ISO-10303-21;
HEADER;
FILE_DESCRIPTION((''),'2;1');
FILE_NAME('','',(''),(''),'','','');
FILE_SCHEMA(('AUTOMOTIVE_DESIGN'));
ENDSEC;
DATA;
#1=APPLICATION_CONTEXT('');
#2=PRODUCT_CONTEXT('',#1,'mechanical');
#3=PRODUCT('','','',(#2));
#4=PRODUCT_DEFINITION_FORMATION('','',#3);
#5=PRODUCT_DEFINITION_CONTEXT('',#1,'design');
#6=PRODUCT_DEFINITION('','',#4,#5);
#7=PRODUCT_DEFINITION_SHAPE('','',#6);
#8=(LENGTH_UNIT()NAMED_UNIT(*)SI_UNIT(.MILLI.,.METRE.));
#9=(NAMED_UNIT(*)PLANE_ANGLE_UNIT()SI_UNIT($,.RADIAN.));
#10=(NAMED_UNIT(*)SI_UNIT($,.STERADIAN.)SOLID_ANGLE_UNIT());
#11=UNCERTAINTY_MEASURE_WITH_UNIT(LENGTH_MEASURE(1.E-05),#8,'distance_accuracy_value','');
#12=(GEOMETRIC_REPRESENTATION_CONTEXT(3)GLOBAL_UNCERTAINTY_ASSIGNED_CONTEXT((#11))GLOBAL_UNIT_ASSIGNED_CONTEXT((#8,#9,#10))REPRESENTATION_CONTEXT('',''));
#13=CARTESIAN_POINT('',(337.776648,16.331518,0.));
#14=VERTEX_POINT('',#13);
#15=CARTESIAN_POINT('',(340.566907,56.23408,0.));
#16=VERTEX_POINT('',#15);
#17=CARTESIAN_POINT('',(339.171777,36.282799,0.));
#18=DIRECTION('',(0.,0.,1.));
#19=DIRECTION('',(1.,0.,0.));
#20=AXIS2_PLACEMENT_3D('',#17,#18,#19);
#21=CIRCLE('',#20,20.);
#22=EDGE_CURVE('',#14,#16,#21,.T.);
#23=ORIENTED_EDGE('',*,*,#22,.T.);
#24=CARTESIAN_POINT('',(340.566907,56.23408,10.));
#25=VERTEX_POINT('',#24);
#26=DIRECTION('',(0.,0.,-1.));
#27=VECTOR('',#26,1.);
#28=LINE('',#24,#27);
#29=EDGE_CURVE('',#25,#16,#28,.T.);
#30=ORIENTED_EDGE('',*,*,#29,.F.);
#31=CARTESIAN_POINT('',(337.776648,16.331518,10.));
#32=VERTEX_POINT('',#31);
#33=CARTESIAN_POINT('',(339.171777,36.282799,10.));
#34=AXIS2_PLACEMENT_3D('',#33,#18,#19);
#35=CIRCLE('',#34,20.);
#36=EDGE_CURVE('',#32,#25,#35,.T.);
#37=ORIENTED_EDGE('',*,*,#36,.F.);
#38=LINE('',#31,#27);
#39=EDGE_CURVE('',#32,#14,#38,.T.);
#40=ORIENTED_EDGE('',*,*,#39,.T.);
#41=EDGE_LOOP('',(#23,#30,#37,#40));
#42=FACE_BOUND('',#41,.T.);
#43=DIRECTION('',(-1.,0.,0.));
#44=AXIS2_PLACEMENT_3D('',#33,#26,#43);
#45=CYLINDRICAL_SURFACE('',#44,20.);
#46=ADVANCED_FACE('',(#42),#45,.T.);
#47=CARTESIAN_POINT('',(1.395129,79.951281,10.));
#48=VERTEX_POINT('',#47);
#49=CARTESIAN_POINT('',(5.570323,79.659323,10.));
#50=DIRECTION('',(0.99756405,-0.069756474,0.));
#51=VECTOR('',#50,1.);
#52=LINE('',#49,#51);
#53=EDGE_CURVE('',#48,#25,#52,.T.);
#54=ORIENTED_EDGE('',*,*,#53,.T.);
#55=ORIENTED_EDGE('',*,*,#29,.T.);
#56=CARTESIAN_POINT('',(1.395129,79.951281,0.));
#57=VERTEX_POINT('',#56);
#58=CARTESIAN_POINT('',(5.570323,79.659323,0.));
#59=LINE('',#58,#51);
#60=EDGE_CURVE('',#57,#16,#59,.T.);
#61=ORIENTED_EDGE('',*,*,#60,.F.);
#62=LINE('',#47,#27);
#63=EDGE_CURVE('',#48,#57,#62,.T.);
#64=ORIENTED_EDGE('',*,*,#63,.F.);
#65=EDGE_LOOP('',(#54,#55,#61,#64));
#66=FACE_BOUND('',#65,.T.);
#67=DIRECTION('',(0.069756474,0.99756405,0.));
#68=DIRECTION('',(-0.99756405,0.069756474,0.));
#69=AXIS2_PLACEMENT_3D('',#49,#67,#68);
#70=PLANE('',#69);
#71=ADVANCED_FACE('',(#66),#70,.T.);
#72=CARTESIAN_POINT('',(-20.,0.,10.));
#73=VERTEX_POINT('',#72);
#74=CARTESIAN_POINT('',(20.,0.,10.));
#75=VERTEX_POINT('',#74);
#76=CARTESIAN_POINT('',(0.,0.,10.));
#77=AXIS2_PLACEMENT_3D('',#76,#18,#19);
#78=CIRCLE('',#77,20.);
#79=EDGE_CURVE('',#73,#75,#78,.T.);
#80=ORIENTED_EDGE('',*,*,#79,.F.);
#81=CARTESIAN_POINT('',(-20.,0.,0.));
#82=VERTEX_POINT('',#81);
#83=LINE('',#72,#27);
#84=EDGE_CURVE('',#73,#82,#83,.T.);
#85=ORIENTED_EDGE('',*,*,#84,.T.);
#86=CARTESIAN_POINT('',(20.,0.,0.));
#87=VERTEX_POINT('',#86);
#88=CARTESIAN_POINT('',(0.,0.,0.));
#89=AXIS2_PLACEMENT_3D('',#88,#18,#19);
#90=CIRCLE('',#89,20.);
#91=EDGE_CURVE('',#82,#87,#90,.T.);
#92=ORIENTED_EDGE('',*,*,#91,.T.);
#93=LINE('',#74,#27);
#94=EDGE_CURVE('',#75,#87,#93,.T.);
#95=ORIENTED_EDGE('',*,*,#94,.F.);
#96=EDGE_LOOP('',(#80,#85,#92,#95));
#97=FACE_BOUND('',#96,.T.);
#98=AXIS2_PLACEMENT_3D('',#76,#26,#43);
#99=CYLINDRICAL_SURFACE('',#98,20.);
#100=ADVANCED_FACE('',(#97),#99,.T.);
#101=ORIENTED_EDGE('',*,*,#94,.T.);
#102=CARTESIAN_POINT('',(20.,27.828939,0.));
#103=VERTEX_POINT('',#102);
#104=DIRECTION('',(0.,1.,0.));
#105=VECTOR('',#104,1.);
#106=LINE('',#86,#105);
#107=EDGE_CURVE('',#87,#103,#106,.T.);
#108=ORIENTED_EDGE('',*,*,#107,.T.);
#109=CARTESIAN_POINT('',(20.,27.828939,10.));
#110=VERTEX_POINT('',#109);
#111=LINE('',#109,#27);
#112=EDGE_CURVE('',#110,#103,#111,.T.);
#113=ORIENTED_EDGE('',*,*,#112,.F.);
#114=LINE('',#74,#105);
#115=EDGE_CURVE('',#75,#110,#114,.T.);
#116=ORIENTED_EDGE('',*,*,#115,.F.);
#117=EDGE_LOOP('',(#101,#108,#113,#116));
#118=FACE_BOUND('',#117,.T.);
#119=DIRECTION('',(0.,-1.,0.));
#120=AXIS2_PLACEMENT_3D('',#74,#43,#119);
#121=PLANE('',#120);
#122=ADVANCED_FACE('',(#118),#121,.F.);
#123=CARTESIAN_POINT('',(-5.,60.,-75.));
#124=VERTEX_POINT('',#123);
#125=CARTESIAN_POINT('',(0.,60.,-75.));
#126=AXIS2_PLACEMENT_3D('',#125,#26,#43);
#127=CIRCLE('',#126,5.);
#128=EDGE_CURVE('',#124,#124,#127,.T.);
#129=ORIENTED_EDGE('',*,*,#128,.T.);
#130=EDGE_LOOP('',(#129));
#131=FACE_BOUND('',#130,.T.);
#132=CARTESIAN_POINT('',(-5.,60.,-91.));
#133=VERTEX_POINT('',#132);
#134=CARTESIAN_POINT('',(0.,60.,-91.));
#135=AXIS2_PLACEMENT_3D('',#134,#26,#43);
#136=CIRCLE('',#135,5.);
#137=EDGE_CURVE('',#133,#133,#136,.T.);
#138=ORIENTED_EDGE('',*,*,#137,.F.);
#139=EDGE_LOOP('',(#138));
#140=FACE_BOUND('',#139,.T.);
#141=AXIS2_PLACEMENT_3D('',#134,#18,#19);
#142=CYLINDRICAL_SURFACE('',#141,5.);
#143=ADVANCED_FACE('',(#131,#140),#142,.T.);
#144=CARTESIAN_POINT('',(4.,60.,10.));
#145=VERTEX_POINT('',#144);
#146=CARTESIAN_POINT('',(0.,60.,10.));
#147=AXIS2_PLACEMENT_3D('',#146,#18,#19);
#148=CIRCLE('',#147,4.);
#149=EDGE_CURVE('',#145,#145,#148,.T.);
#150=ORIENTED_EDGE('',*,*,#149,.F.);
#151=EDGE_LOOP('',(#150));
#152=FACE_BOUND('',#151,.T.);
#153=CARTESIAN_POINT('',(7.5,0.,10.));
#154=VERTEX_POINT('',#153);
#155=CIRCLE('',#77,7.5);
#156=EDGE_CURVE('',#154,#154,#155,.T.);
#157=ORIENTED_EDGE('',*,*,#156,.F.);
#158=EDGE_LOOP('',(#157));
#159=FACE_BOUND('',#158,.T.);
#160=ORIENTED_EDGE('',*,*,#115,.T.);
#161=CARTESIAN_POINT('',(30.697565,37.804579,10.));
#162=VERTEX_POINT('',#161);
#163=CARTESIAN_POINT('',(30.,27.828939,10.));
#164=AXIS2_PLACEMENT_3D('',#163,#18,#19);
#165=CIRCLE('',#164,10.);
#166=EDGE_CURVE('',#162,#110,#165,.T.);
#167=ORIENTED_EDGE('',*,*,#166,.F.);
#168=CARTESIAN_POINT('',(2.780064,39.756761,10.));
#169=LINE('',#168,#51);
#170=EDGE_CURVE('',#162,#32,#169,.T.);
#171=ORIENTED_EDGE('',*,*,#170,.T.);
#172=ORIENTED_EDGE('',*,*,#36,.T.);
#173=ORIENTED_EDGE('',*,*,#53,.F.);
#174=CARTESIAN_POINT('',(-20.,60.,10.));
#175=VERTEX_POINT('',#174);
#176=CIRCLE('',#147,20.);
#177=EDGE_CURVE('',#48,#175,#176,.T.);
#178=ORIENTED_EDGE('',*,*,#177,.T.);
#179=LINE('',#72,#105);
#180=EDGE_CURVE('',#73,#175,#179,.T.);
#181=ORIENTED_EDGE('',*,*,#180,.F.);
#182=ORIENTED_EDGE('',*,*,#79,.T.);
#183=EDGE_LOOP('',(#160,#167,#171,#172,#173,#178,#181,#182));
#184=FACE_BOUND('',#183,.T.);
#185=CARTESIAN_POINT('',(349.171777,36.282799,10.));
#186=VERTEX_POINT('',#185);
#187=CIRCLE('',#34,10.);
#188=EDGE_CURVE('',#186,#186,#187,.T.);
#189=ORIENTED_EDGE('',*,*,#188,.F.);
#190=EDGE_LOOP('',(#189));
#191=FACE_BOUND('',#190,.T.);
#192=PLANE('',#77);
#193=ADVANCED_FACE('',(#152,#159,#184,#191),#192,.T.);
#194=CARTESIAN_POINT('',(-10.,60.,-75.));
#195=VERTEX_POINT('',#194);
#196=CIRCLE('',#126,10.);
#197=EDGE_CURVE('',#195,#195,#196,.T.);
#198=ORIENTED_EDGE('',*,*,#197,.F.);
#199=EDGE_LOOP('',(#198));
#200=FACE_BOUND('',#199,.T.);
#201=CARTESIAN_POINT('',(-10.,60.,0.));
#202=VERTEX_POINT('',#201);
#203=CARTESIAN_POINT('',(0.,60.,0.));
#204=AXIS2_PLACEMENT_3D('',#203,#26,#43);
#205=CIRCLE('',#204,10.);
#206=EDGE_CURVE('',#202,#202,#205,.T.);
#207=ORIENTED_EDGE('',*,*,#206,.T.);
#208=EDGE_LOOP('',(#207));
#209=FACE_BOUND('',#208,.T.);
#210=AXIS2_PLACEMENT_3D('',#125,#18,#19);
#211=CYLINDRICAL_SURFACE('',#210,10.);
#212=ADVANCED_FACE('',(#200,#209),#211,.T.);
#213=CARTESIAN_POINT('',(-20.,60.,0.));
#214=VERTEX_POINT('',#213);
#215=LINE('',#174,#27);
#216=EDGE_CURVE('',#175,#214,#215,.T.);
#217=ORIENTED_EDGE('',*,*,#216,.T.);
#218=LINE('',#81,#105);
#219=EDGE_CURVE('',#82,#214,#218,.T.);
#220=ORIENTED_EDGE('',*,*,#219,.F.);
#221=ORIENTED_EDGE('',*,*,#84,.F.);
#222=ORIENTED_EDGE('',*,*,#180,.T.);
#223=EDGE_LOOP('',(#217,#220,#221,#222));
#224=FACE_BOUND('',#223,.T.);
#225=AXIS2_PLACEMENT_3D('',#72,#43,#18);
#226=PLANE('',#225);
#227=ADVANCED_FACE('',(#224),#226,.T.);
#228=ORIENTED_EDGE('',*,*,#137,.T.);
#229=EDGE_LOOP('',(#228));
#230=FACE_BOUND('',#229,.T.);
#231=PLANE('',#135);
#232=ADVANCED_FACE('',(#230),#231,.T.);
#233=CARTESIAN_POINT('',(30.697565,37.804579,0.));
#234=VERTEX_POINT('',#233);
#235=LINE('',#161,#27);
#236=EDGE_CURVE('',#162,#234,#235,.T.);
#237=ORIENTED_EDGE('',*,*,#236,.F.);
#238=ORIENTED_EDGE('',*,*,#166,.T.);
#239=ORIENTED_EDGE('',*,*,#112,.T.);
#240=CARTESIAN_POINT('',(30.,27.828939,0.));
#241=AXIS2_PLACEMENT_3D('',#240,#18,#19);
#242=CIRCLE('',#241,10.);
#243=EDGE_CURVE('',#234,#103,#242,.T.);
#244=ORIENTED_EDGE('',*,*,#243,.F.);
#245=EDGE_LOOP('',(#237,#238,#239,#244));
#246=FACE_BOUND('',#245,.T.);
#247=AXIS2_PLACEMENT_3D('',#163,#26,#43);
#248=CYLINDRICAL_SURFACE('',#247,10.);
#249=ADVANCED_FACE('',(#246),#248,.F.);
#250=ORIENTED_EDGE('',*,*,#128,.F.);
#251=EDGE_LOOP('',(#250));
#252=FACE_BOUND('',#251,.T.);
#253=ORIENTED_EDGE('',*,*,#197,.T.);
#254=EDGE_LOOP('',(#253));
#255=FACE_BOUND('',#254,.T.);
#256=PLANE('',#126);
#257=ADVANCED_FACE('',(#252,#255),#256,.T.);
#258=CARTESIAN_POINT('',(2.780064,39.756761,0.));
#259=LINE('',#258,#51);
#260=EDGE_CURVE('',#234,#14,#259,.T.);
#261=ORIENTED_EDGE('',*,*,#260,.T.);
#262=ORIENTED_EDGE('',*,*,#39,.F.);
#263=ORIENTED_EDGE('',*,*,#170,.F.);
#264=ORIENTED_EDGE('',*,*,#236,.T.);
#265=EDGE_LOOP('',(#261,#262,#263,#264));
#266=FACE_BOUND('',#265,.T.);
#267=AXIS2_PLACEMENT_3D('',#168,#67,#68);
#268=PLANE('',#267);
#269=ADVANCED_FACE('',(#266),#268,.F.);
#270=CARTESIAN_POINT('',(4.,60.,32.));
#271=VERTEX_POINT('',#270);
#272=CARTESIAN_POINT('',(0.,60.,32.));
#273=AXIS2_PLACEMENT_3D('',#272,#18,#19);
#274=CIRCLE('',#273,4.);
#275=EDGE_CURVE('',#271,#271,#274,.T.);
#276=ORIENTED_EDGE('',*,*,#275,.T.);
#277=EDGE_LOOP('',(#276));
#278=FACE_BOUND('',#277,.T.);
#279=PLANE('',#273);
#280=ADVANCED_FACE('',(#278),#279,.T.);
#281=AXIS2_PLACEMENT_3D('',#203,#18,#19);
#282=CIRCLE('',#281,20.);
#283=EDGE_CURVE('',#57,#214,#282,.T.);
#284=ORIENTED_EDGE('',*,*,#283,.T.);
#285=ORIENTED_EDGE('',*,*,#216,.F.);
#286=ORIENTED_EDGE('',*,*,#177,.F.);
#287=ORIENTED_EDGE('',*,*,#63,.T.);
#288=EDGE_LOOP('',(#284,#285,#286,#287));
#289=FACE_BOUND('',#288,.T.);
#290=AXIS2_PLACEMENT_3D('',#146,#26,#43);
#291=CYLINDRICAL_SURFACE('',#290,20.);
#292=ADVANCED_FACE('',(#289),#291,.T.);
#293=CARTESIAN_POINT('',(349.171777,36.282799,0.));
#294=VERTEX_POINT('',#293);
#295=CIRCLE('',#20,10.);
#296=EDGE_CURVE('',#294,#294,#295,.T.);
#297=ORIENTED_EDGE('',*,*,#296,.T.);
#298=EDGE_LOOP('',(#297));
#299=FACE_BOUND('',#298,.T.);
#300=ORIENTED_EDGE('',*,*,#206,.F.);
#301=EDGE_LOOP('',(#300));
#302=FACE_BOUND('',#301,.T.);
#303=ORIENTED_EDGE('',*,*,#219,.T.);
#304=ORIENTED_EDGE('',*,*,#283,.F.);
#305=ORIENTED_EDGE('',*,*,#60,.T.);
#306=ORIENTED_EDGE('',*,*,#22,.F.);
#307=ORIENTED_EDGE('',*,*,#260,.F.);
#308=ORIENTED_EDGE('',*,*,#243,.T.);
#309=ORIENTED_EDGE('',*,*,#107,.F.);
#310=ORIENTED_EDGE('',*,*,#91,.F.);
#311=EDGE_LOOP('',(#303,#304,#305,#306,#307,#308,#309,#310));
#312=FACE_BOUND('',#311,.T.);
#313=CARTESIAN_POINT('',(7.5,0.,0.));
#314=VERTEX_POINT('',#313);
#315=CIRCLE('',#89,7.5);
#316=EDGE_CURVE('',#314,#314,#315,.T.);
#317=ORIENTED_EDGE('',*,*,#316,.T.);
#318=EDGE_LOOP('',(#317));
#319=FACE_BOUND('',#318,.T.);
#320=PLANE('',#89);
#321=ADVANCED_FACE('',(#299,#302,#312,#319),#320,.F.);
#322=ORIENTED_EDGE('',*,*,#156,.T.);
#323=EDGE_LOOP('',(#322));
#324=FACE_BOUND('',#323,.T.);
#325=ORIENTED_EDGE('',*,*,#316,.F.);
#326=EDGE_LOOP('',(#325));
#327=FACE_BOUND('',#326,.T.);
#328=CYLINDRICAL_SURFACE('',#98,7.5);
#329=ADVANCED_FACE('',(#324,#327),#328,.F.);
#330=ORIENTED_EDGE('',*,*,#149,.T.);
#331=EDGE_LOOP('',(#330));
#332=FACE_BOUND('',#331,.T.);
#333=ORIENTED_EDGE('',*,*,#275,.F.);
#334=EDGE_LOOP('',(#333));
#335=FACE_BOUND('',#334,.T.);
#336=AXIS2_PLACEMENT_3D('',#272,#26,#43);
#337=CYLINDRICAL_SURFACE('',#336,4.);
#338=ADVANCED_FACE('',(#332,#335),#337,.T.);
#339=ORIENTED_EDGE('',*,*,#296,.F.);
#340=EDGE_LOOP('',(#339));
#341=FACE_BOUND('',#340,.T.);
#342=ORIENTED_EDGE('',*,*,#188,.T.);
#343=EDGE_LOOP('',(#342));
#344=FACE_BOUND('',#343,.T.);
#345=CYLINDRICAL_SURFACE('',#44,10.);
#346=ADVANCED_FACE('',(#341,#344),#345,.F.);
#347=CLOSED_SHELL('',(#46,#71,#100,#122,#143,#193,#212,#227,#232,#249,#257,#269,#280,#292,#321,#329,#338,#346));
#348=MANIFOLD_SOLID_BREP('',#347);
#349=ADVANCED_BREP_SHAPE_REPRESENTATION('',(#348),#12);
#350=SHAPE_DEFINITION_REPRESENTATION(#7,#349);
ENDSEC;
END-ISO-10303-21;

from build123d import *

# Parameters (mm, degrees)
CROQUIS1_R              = 7.5
CROQUIS1_R_2            = 10
SALIENTE_EXTRUIR1_DEPTH = 10
CROQUIS2_R              = 10
SALIENTE_EXTRUIR2_DEPTH = 75
CROQUIS3_R              = 5
SALIENTE_EXTRUIR3_DEPTH = 16
CROQUIS4_R              = 4
SALIENTE_EXTRUIR4_DEPTH = 22


with BuildPart() as part:
    # Croquis1 → Saliente-Extruir1 (new body)
    with BuildSketch(Plane.XY):
        with BuildLine():
            Line((-20, 0), (-20, 60))
            ThreePointArc((-20, 60), (-13.639967201, 74.627074032), (1.395129475, 79.951281005))
            Line((1.395129475, 79.951281005), (340.566906563, 56.234079932))
            ThreePointArc((340.566906563, 56.234079932), (359.123058094, 34.887669452), (337.776647613, 16.331517922))
            Line((337.776647613, 16.331517922), (30.697564737, 37.804579202))
            ThreePointArc((30.697564737, 37.804579202), (23.180016399, 35.142475715), (20, 27.828938699))
            Line((20, 27.828938699), (20, 0))
            ThreePointArc((20, 0), (0, -20), (-20, 0))
        make_face()
        Circle(CROQUIS1_R, mode=Mode.SUBTRACT)
        with Locations((339.171777088, 36.282798927)):
            Circle(CROQUIS1_R_2, mode=Mode.SUBTRACT)
    extrude(amount=SALIENTE_EXTRUIR1_DEPTH)

    # Croquis2 → Saliente-Extruir2 (add)
    with BuildSketch(Plane(origin=(0, 0, 0), x_dir=(-1, 0, 0), z_dir=(0, 0, -1))):
        with Locations((0, 60)):
            Circle(CROQUIS2_R)
    extrude(amount=SALIENTE_EXTRUIR2_DEPTH)

    # Croquis3 → Saliente-Extruir3 (add)
    with BuildSketch(Plane(origin=(0, 0, -75), x_dir=(-1, 0, 0), z_dir=(0, 0, -1))):
        with Locations((0, 60)):
            Circle(CROQUIS3_R)
    extrude(amount=SALIENTE_EXTRUIR3_DEPTH)

    # Croquis4 → Saliente-Extruir4 (add)
    with BuildSketch(Plane.XY.offset(10)):
        with Locations((0, 60)):
            Circle(CROQUIS4_R)
    extrude(amount=SALIENTE_EXTRUIR4_DEPTH)


solid = part.part
